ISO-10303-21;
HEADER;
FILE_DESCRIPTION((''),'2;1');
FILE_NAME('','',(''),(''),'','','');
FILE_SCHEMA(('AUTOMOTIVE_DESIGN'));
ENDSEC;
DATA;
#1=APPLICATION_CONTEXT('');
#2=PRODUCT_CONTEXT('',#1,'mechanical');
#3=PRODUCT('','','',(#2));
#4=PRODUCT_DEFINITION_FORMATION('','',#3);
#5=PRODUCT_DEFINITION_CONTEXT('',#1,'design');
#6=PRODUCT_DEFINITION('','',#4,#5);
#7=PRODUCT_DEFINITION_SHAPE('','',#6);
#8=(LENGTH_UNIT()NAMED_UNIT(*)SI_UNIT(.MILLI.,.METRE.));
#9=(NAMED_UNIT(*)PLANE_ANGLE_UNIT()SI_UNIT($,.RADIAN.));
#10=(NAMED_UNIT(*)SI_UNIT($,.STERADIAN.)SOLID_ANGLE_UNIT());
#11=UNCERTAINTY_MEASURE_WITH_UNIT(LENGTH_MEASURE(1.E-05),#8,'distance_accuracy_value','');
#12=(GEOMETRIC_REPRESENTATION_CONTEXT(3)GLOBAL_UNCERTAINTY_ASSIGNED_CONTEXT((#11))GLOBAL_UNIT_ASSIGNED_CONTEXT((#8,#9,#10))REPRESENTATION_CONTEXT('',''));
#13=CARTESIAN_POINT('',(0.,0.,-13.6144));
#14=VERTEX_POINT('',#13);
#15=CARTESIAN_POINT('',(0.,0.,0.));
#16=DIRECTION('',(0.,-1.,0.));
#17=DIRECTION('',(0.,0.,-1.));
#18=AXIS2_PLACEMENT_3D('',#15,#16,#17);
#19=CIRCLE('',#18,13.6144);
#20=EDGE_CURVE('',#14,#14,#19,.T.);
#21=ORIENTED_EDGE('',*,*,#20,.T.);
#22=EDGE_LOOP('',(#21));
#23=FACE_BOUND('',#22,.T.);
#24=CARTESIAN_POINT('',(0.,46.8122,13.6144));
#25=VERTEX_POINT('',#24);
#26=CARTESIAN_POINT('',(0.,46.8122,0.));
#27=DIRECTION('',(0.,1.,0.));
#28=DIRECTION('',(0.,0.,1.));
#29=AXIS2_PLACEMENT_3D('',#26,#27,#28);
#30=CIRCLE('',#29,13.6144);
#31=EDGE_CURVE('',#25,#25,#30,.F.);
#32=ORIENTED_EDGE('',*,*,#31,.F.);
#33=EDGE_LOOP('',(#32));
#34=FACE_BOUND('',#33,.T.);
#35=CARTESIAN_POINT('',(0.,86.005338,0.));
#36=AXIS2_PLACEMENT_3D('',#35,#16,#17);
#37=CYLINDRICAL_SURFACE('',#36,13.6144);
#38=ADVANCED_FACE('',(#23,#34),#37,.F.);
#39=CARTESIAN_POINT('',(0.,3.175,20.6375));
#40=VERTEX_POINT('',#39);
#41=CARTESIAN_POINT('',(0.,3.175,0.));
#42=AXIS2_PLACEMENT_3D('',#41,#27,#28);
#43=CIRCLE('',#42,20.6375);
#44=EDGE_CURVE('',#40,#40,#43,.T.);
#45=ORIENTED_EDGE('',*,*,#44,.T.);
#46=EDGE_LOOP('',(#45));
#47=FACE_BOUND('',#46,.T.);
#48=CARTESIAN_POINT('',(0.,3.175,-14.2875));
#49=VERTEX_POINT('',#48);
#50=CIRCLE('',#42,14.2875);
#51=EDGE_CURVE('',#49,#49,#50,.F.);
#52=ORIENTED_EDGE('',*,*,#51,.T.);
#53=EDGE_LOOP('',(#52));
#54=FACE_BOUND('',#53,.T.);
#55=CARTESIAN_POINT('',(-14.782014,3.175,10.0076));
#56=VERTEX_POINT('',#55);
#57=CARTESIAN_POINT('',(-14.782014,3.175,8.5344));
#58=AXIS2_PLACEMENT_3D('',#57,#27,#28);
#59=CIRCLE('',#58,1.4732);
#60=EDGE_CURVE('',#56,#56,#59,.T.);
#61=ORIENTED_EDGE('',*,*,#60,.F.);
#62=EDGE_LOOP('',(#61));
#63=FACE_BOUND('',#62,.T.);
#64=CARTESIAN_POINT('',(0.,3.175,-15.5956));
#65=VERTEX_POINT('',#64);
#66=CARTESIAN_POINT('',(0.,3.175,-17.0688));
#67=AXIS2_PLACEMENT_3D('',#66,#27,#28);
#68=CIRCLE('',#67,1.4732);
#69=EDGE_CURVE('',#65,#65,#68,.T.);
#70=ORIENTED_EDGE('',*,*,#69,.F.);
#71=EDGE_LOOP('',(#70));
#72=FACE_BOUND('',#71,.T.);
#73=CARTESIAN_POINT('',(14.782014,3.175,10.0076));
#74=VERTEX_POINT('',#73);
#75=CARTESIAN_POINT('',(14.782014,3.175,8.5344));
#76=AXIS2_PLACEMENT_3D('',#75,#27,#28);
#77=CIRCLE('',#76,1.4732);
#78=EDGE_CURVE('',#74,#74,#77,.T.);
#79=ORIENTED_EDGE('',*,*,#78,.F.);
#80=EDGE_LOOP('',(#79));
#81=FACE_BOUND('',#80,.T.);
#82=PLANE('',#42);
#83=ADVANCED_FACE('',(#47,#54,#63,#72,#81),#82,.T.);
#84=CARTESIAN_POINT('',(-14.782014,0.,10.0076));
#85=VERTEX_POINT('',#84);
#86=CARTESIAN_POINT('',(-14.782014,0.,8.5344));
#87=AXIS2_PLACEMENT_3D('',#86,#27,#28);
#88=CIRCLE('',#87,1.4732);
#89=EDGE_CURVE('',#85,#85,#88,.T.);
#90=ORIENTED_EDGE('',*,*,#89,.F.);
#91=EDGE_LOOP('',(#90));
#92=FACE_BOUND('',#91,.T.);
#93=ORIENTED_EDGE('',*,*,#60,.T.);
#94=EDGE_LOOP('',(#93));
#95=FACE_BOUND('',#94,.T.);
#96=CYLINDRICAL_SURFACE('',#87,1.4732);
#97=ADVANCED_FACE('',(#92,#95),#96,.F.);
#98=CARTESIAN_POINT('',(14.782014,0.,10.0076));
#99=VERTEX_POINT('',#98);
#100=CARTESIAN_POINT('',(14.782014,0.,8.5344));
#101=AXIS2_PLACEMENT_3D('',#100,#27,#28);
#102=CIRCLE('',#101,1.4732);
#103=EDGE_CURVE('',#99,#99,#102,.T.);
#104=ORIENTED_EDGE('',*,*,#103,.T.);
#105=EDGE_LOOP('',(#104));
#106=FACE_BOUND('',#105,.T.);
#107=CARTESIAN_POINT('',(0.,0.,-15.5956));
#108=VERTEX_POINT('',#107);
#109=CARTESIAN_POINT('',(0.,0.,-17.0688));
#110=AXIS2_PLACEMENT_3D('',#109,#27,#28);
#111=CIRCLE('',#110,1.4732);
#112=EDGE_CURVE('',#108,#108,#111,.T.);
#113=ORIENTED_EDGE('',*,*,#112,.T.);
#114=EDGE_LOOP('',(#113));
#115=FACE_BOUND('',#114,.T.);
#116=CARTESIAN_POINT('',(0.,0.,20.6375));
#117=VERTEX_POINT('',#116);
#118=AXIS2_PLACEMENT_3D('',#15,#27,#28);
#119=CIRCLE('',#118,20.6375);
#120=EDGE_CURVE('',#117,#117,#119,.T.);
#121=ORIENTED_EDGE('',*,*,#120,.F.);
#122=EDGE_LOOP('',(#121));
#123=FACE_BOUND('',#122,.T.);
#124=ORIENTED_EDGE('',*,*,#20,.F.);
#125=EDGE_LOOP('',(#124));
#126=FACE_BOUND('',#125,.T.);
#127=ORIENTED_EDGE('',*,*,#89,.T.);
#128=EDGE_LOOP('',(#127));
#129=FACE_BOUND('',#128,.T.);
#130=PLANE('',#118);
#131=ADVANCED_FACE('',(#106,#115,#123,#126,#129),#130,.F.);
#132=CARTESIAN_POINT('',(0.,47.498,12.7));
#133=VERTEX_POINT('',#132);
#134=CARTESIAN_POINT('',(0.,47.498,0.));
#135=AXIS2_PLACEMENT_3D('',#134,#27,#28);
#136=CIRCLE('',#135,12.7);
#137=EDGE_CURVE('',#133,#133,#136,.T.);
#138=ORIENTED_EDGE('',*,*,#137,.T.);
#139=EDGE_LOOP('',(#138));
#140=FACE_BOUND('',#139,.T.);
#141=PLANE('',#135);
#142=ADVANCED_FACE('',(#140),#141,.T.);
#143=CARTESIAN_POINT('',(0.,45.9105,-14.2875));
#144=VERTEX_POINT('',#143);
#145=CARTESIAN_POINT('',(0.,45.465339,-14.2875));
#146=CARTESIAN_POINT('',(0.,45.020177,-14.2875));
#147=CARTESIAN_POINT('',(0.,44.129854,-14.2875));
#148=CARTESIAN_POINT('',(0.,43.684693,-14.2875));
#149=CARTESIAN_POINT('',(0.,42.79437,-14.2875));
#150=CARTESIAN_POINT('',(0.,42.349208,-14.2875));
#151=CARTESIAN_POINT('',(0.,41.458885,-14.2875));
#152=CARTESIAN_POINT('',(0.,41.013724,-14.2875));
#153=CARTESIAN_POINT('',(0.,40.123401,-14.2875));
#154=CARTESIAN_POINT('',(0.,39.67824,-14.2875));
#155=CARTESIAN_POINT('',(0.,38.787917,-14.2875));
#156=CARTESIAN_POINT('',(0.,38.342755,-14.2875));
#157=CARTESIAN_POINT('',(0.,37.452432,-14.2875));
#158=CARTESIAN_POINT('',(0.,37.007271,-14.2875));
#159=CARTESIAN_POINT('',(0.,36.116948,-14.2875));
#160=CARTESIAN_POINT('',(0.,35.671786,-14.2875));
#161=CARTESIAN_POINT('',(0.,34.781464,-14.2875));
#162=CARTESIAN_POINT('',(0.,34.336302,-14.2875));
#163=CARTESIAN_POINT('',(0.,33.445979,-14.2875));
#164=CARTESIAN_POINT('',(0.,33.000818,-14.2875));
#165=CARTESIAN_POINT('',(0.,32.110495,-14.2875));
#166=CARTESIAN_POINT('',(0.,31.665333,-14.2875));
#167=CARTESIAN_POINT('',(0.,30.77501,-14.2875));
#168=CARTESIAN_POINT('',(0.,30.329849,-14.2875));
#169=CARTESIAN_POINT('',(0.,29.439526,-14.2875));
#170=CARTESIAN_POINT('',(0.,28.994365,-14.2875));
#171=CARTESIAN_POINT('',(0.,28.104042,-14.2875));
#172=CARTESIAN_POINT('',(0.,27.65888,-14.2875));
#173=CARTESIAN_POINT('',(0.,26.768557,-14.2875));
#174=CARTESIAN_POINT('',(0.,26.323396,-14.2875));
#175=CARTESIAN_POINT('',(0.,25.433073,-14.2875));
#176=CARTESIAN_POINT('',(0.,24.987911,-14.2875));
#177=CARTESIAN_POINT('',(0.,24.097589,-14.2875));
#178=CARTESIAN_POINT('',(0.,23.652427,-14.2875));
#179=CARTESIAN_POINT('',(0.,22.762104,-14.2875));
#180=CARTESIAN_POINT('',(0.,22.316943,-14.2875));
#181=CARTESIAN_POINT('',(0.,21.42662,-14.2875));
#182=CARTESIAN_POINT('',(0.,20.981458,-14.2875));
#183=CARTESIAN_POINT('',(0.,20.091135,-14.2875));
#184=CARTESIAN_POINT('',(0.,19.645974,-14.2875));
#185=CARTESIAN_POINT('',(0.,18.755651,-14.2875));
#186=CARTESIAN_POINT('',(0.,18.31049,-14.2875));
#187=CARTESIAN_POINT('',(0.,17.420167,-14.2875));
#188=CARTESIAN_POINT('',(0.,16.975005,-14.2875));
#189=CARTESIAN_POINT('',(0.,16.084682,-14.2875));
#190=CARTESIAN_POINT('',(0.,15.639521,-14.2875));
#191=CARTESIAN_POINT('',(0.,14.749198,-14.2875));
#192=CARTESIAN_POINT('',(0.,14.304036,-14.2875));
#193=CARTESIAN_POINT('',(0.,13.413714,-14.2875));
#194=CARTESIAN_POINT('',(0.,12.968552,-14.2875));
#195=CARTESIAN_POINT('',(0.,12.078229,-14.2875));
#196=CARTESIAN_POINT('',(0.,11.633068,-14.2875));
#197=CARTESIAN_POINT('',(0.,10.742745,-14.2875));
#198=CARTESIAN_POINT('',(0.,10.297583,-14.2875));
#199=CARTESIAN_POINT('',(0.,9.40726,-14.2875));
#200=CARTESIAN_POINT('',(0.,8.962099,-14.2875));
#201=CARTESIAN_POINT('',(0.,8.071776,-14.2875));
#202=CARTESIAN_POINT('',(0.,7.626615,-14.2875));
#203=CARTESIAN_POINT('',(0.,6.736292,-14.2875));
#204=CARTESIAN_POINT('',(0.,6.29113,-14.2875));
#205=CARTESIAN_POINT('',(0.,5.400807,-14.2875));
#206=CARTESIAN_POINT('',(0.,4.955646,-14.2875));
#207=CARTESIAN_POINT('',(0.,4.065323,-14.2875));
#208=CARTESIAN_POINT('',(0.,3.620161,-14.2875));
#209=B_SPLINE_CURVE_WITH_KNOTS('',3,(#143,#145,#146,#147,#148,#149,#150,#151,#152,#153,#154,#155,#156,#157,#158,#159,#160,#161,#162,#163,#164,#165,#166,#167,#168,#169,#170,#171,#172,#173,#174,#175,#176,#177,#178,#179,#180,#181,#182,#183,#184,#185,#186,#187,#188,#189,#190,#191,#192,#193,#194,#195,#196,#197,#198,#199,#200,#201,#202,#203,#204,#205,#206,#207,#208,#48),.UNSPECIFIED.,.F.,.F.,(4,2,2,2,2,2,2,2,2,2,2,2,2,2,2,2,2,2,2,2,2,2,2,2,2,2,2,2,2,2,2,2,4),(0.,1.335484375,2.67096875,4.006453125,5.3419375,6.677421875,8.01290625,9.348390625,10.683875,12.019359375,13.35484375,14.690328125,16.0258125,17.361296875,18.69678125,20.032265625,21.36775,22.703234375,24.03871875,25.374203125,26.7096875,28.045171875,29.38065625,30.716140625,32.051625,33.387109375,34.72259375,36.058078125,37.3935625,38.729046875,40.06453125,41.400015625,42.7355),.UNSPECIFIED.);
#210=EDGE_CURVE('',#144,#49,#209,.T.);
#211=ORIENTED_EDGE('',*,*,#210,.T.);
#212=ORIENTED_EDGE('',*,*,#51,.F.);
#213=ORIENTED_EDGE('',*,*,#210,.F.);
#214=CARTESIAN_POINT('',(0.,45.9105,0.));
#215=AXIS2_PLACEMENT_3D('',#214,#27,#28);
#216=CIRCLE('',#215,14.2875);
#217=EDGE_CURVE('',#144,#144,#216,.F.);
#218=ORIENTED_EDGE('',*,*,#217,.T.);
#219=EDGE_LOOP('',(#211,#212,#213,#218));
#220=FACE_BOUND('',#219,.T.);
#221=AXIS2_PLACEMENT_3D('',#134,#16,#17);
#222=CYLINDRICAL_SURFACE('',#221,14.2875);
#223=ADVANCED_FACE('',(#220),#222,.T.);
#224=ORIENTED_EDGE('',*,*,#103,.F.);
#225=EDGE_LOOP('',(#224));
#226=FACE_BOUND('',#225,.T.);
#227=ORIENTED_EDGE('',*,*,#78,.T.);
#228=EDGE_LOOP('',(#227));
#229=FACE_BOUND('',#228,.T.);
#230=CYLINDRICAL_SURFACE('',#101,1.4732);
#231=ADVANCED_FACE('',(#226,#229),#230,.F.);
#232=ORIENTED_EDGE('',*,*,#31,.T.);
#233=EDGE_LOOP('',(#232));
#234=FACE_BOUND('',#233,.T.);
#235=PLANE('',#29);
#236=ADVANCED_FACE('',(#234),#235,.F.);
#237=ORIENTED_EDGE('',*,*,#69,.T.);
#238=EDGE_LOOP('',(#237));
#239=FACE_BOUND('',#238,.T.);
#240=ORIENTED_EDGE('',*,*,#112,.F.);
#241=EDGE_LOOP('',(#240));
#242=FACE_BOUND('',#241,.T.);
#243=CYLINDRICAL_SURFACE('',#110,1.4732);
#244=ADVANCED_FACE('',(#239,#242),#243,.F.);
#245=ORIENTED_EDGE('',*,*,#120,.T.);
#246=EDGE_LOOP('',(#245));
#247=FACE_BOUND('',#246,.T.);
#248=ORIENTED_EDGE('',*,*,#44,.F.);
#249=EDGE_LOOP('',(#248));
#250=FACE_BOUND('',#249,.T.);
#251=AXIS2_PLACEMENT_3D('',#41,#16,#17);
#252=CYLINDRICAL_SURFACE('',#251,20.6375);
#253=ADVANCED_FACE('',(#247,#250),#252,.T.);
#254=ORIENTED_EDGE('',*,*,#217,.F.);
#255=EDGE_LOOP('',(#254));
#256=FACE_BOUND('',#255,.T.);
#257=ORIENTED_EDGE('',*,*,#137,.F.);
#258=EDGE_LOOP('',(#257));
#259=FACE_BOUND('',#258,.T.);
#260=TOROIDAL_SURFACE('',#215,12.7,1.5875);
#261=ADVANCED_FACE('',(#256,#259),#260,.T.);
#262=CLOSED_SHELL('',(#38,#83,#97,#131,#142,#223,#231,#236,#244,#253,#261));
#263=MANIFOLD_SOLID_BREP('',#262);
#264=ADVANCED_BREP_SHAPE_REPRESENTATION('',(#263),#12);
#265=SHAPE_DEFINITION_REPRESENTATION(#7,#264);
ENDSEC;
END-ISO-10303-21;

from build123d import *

# Parameters (mm, degrees)
SKETCH1_R           = 20.6375
BOSS_EXTRUDE1_DEPTH = 3.175
BOSS_EXTRUDE2_START = -3.175
SKETCH2_R           = 14.2875
BOSS_EXTRUDE2_DEPTH = 47.498
SKETCH3_R           = 1.4732
CUT_EXTRUDE1_DEPTH  = 54.069210862
SKETCH4_R           = 13.6144
CUT_EXTRUDE2_DEPTH  = 46.8122
FILLET1_R           = 1.5875


with BuildPart() as part:
    # Sketch1 → Boss-Extrude1 (new body)
    with BuildSketch(Plane(origin=(0, 0, 0), x_dir=(1, 0, 0), z_dir=(0, 1, 0))):
        with Locations(Location((0, 0, 0), (0, 0, 270))):
            Circle(SKETCH1_R)
    extrude(amount=BOSS_EXTRUDE1_DEPTH)

    # Sketch2 → Boss-Extrude2 (add)
    with BuildSketch(Plane(origin=(0, 3.175, 0), x_dir=(1, 0, 0), z_dir=(0, 1, 0)).offset(BOSS_EXTRUDE2_START)):
        with Locations(Location((0, 0, 0), (0, 0, 90))):
            Circle(SKETCH2_R)
    extrude(amount=BOSS_EXTRUDE2_DEPTH)

    # Sketch3 → Cut-Extrude1 (cut, through all)
    with BuildSketch(Plane(origin=(0, 3.175, 0), x_dir=(1, 0, 0), z_dir=(0, 1, 0))):
        with Locations(Location((0, 17.0688, 0), (0, 0, 270))):
            Circle(SKETCH3_R)
        with Locations(Location((14.782014412, -8.5344, 0), (0, 0, 270))):
            Circle(SKETCH3_R)
        with Locations(Location((-14.782014412, -8.5344, 0), (0, 0, 270))):
            Circle(SKETCH3_R)
    extrude(amount=-CUT_EXTRUDE1_DEPTH, mode=Mode.SUBTRACT)

    # Sketch4 → Cut-Extrude2 (cut)
    with BuildSketch(Plane.XZ):
        with Locations(Location((0, 0, 0), (0, 0, 270))):
            Circle(SKETCH4_R)
    extrude(amount=-CUT_EXTRUDE2_DEPTH, mode=Mode.SUBTRACT)

    # Fillet1
    fillet1_edges = [part.edges().sort_by_distance(p)[0] for p in [
        (0, 47.498, 14.2875),
    ]]
    fillet(fillet1_edges, radius=FILLET1_R)


solid = part.part
